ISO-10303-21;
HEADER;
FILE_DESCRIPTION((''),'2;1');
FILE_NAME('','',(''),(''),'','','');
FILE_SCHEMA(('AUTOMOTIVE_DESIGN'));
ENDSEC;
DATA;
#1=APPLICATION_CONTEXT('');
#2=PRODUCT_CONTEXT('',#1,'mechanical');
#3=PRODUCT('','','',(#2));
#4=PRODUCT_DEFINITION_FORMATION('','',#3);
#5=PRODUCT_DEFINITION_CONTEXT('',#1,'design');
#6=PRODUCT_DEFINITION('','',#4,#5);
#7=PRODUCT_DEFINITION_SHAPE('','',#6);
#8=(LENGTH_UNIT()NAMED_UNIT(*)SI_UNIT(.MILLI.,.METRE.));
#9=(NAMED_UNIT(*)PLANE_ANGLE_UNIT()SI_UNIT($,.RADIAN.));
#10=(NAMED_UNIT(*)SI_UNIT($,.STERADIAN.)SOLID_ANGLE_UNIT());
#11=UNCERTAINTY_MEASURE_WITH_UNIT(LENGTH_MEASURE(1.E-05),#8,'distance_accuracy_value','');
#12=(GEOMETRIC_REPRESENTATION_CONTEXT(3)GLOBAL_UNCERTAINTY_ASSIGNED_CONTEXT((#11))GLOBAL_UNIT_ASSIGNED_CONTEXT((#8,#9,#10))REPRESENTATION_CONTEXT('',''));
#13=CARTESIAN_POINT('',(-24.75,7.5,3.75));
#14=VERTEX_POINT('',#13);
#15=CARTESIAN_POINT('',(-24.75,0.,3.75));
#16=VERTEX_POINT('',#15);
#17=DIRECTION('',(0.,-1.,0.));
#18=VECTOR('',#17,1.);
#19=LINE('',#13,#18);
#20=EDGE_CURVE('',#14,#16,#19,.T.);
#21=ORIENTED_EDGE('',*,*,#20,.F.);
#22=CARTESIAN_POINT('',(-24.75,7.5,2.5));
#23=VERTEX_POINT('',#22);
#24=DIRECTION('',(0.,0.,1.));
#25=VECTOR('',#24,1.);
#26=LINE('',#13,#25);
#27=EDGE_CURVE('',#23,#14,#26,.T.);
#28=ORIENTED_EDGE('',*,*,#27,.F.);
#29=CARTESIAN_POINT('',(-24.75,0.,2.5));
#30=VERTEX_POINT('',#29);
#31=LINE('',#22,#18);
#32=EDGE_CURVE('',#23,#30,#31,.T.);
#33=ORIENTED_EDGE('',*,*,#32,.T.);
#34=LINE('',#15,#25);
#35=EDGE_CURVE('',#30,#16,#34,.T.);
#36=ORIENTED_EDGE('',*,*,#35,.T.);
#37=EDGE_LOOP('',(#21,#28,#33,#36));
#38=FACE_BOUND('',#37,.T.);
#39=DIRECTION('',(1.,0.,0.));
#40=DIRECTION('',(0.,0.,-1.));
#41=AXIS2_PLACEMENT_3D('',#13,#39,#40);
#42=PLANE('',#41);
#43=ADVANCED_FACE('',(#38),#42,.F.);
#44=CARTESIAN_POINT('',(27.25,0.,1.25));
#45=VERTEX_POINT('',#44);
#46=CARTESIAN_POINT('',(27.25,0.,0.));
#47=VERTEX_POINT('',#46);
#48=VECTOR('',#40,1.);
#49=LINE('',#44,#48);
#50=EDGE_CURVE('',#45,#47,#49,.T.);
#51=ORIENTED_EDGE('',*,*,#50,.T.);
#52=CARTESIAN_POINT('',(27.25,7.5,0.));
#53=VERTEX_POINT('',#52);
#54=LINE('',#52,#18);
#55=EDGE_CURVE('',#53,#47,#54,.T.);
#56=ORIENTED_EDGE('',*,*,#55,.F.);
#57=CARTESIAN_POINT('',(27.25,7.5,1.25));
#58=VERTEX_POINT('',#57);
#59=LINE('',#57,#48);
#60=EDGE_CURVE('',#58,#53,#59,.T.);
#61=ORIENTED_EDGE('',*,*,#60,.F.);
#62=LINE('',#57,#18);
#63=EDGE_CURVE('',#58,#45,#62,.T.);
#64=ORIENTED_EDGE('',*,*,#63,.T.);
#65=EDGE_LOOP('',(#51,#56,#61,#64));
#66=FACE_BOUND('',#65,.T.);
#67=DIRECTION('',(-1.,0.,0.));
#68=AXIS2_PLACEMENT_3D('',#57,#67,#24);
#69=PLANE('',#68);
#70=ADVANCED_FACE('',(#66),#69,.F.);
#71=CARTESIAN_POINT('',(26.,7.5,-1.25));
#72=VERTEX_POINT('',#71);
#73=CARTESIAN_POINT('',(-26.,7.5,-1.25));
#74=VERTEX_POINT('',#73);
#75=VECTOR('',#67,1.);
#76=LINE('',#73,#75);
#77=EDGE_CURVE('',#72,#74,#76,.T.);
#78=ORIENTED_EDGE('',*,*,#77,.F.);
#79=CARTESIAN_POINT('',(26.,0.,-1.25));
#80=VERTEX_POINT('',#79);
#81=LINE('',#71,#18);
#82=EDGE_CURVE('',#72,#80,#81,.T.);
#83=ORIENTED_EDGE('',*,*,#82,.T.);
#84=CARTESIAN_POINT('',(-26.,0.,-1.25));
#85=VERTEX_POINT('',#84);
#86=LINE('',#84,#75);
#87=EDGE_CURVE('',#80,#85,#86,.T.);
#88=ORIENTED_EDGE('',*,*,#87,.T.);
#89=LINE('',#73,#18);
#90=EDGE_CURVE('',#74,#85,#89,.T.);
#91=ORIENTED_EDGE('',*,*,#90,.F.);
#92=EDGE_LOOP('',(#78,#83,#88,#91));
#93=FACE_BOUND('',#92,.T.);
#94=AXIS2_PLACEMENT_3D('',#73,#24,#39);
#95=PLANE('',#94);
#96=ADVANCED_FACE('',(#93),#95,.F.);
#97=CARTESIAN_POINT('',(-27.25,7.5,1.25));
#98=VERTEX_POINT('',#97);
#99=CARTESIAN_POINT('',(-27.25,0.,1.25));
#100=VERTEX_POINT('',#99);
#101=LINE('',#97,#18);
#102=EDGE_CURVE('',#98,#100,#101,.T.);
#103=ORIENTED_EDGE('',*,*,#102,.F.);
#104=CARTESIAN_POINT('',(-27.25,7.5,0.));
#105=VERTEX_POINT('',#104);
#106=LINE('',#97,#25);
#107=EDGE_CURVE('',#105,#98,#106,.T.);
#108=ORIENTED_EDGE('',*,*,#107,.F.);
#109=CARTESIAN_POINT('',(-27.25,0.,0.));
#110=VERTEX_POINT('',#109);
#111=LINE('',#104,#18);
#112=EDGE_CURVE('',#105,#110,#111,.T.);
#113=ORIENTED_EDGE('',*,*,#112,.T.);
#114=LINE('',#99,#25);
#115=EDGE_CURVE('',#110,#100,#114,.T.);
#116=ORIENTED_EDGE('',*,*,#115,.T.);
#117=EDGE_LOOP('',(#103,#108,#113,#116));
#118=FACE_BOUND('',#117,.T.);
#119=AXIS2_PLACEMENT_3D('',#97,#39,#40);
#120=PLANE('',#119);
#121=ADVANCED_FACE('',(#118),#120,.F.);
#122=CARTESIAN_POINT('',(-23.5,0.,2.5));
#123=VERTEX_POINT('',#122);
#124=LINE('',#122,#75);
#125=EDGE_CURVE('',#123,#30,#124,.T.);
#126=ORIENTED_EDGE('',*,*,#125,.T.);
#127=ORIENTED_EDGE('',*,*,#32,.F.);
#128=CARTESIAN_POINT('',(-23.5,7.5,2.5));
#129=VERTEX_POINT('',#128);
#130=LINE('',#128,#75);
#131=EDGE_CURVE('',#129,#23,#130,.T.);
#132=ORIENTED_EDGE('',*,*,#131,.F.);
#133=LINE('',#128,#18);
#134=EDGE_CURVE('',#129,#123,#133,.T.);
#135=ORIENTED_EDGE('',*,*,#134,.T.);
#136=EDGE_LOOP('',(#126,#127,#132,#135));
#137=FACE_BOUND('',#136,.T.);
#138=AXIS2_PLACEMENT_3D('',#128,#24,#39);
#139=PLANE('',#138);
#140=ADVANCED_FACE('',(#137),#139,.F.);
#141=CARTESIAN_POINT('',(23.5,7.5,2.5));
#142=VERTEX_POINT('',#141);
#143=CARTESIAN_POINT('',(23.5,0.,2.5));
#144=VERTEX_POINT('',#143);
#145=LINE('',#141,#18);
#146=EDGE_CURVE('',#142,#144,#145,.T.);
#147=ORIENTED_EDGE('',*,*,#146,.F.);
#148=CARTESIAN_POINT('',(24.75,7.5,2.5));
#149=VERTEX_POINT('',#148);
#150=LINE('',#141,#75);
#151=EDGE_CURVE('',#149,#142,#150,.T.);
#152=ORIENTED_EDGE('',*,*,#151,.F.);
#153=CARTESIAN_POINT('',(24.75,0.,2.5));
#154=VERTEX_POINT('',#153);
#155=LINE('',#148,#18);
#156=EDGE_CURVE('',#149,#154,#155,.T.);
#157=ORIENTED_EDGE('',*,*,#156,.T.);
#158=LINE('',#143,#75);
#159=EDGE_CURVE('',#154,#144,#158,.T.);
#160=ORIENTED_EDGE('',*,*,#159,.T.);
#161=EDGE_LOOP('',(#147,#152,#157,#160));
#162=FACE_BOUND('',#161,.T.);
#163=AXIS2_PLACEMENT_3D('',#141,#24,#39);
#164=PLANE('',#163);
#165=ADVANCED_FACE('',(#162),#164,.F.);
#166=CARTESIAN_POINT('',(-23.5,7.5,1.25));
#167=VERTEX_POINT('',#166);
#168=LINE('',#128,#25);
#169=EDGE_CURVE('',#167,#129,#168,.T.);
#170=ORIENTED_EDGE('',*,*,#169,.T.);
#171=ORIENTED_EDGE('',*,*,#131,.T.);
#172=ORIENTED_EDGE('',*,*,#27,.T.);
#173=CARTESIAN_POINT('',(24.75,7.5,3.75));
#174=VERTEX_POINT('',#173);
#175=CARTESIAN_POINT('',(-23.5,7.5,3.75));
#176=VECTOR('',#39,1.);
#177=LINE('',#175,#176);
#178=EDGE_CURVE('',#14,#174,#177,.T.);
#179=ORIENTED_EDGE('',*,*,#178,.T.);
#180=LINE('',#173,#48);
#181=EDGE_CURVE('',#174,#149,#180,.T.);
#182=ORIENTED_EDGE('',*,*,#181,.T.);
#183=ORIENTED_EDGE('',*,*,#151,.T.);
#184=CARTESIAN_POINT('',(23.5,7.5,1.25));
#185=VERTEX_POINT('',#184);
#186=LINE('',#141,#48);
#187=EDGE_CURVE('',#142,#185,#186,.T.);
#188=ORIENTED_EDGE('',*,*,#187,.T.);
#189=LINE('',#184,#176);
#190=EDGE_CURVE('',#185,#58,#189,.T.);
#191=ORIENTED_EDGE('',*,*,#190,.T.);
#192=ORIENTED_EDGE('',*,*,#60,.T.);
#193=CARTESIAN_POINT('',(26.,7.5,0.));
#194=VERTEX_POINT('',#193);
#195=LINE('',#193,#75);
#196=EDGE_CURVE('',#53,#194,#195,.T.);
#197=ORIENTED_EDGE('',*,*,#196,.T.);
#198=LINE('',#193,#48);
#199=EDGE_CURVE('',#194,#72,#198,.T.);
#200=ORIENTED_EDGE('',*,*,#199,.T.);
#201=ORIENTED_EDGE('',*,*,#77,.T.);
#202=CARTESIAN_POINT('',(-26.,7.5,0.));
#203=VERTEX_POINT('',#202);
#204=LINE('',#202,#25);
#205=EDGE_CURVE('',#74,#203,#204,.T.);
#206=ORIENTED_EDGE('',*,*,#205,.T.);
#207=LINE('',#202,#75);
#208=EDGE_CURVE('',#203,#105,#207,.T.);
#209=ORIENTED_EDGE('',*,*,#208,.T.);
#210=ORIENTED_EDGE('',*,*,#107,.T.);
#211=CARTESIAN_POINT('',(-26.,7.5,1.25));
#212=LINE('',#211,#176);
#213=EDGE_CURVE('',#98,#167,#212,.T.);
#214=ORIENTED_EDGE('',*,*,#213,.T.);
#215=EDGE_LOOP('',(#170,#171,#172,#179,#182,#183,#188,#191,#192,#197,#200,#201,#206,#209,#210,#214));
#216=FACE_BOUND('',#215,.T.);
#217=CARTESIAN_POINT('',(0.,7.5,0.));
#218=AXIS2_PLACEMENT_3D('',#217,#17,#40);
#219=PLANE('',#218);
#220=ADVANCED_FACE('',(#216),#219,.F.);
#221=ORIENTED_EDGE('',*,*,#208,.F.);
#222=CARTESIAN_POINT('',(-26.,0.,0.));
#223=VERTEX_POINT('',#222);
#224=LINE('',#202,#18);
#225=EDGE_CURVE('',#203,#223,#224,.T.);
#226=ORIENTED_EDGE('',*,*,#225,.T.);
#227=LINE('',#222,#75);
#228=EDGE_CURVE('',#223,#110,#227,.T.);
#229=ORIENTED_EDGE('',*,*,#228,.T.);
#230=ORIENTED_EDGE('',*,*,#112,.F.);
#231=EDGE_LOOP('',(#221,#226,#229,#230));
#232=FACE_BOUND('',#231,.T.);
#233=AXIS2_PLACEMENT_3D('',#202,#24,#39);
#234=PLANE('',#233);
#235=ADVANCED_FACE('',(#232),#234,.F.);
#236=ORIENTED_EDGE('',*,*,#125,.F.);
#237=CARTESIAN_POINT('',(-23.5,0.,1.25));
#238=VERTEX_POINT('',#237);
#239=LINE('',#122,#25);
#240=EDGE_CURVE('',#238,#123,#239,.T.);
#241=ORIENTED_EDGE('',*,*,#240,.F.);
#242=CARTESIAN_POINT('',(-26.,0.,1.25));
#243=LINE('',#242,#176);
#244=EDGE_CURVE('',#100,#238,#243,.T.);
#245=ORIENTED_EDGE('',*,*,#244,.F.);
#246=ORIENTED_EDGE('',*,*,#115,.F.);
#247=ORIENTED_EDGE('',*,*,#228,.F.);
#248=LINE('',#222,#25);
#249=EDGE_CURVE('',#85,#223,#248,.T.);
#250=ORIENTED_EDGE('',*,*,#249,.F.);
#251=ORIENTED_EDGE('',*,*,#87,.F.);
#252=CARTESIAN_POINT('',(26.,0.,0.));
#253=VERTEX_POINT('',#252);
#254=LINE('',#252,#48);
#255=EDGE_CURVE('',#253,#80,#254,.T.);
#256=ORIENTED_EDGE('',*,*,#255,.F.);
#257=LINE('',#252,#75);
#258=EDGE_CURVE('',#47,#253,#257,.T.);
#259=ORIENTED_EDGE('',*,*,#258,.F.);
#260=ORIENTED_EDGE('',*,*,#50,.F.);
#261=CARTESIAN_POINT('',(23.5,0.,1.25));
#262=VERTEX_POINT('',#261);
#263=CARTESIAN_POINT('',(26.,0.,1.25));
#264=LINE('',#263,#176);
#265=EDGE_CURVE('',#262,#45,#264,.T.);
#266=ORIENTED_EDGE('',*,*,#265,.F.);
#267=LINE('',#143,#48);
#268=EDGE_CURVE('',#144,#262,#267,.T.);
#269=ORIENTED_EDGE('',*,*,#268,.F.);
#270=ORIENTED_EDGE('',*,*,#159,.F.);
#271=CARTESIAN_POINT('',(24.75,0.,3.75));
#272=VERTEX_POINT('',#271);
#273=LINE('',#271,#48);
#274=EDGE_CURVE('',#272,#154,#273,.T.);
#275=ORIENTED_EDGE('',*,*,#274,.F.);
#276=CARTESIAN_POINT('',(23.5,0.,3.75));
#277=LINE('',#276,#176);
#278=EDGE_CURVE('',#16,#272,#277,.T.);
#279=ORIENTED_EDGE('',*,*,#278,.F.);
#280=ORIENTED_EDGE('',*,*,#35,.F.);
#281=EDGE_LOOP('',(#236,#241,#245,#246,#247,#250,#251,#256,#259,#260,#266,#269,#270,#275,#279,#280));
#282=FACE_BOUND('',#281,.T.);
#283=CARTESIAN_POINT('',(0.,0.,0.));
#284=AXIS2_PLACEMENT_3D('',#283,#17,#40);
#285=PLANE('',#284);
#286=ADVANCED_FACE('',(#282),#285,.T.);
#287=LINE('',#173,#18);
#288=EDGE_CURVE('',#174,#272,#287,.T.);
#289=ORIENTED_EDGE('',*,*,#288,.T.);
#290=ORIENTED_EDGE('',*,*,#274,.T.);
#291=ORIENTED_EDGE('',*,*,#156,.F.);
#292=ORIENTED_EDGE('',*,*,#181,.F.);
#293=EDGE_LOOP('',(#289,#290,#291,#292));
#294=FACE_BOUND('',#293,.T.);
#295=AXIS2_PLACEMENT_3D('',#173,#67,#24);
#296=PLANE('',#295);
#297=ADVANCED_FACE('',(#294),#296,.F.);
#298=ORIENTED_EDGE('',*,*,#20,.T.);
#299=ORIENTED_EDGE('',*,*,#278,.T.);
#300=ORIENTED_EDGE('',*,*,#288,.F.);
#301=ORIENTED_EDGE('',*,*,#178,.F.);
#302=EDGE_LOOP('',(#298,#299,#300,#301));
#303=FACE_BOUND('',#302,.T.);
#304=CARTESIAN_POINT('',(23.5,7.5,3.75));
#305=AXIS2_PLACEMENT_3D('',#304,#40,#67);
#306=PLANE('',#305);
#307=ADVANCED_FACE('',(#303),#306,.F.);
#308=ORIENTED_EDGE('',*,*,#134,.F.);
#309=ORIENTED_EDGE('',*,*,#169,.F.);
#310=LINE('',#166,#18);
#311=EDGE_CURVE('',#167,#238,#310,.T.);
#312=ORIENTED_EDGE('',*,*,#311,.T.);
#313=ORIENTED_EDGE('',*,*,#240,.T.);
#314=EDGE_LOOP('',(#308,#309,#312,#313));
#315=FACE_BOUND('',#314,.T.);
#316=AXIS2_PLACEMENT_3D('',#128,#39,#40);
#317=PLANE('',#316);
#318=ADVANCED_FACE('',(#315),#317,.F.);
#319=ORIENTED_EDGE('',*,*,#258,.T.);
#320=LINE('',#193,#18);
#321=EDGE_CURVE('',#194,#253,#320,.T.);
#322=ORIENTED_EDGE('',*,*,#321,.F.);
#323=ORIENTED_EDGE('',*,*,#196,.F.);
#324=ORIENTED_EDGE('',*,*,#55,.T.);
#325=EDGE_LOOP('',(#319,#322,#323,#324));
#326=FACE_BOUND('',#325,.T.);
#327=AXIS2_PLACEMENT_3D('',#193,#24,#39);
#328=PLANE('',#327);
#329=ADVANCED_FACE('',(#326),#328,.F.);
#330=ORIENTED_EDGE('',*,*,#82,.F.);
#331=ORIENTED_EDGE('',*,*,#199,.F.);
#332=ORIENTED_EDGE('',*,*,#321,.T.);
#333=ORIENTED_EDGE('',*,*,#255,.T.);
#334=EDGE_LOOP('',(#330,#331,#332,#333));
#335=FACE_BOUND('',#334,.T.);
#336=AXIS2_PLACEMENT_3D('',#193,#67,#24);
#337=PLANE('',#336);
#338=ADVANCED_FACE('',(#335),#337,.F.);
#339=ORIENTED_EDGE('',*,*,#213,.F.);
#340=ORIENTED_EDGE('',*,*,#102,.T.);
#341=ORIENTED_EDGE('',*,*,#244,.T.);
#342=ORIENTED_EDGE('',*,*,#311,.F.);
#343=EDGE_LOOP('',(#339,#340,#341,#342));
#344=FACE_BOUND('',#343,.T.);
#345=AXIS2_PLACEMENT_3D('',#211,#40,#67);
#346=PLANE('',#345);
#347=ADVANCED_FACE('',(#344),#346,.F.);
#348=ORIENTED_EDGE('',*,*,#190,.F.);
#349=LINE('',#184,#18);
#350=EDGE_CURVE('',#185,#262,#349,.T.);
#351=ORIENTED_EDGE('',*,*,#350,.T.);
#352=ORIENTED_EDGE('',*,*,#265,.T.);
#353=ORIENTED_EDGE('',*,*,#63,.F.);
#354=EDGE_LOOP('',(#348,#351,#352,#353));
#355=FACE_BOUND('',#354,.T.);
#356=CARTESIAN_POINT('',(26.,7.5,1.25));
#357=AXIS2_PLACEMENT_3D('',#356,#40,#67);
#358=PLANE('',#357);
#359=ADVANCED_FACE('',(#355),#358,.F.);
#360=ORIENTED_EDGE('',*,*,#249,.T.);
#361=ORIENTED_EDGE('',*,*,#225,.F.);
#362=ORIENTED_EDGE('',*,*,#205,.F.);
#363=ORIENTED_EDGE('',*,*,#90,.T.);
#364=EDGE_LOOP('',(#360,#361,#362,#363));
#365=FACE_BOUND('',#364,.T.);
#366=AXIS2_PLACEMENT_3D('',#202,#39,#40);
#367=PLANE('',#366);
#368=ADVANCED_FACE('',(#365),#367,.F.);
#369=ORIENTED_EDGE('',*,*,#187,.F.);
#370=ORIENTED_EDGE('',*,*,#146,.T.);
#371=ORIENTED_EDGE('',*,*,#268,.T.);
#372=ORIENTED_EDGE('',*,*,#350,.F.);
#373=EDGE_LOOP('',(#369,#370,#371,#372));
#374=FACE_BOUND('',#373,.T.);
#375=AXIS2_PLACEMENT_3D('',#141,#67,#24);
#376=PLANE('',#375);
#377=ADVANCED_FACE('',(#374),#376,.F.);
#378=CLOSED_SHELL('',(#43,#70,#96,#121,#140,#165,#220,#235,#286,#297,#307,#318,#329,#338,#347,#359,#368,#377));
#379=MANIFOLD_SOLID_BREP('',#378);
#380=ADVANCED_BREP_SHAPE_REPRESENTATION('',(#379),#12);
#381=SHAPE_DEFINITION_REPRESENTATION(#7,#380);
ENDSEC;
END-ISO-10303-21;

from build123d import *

# Parameters (mm, degrees)
TAPA_CAJA_PLACAS_SALIENTE_DEPTH = 7.5


with BuildPart() as part:
    # Tapa-Caja-Placas-Croquis → Tapa-Caja-Placas-Saliente (new body)
    with BuildSketch(Plane(origin=(0, 0, 0), x_dir=(1, 0, 0), z_dir=(0, 1, 0))):
        Polygon((-26, -1.25), (-23.5, -1.25), (-23.5, -2.5), (-24.75, -2.5), (-24.75, -3.75), (-23.5, -3.75), (23.5, -3.75), (24.75, -3.75), (24.75, -2.5), (23.5, -2.5), (23.5, -1.25), (26, -1.25), (27.25, -1.25), (27.25, 0), (26, 0), (26, 1.25), (-26, 1.25), (-26, 0), (-27.25, 0), (-27.25, -1.25), align=None)
    extrude(amount=TAPA_CAJA_PLACAS_SALIENTE_DEPTH)


solid = part.part
